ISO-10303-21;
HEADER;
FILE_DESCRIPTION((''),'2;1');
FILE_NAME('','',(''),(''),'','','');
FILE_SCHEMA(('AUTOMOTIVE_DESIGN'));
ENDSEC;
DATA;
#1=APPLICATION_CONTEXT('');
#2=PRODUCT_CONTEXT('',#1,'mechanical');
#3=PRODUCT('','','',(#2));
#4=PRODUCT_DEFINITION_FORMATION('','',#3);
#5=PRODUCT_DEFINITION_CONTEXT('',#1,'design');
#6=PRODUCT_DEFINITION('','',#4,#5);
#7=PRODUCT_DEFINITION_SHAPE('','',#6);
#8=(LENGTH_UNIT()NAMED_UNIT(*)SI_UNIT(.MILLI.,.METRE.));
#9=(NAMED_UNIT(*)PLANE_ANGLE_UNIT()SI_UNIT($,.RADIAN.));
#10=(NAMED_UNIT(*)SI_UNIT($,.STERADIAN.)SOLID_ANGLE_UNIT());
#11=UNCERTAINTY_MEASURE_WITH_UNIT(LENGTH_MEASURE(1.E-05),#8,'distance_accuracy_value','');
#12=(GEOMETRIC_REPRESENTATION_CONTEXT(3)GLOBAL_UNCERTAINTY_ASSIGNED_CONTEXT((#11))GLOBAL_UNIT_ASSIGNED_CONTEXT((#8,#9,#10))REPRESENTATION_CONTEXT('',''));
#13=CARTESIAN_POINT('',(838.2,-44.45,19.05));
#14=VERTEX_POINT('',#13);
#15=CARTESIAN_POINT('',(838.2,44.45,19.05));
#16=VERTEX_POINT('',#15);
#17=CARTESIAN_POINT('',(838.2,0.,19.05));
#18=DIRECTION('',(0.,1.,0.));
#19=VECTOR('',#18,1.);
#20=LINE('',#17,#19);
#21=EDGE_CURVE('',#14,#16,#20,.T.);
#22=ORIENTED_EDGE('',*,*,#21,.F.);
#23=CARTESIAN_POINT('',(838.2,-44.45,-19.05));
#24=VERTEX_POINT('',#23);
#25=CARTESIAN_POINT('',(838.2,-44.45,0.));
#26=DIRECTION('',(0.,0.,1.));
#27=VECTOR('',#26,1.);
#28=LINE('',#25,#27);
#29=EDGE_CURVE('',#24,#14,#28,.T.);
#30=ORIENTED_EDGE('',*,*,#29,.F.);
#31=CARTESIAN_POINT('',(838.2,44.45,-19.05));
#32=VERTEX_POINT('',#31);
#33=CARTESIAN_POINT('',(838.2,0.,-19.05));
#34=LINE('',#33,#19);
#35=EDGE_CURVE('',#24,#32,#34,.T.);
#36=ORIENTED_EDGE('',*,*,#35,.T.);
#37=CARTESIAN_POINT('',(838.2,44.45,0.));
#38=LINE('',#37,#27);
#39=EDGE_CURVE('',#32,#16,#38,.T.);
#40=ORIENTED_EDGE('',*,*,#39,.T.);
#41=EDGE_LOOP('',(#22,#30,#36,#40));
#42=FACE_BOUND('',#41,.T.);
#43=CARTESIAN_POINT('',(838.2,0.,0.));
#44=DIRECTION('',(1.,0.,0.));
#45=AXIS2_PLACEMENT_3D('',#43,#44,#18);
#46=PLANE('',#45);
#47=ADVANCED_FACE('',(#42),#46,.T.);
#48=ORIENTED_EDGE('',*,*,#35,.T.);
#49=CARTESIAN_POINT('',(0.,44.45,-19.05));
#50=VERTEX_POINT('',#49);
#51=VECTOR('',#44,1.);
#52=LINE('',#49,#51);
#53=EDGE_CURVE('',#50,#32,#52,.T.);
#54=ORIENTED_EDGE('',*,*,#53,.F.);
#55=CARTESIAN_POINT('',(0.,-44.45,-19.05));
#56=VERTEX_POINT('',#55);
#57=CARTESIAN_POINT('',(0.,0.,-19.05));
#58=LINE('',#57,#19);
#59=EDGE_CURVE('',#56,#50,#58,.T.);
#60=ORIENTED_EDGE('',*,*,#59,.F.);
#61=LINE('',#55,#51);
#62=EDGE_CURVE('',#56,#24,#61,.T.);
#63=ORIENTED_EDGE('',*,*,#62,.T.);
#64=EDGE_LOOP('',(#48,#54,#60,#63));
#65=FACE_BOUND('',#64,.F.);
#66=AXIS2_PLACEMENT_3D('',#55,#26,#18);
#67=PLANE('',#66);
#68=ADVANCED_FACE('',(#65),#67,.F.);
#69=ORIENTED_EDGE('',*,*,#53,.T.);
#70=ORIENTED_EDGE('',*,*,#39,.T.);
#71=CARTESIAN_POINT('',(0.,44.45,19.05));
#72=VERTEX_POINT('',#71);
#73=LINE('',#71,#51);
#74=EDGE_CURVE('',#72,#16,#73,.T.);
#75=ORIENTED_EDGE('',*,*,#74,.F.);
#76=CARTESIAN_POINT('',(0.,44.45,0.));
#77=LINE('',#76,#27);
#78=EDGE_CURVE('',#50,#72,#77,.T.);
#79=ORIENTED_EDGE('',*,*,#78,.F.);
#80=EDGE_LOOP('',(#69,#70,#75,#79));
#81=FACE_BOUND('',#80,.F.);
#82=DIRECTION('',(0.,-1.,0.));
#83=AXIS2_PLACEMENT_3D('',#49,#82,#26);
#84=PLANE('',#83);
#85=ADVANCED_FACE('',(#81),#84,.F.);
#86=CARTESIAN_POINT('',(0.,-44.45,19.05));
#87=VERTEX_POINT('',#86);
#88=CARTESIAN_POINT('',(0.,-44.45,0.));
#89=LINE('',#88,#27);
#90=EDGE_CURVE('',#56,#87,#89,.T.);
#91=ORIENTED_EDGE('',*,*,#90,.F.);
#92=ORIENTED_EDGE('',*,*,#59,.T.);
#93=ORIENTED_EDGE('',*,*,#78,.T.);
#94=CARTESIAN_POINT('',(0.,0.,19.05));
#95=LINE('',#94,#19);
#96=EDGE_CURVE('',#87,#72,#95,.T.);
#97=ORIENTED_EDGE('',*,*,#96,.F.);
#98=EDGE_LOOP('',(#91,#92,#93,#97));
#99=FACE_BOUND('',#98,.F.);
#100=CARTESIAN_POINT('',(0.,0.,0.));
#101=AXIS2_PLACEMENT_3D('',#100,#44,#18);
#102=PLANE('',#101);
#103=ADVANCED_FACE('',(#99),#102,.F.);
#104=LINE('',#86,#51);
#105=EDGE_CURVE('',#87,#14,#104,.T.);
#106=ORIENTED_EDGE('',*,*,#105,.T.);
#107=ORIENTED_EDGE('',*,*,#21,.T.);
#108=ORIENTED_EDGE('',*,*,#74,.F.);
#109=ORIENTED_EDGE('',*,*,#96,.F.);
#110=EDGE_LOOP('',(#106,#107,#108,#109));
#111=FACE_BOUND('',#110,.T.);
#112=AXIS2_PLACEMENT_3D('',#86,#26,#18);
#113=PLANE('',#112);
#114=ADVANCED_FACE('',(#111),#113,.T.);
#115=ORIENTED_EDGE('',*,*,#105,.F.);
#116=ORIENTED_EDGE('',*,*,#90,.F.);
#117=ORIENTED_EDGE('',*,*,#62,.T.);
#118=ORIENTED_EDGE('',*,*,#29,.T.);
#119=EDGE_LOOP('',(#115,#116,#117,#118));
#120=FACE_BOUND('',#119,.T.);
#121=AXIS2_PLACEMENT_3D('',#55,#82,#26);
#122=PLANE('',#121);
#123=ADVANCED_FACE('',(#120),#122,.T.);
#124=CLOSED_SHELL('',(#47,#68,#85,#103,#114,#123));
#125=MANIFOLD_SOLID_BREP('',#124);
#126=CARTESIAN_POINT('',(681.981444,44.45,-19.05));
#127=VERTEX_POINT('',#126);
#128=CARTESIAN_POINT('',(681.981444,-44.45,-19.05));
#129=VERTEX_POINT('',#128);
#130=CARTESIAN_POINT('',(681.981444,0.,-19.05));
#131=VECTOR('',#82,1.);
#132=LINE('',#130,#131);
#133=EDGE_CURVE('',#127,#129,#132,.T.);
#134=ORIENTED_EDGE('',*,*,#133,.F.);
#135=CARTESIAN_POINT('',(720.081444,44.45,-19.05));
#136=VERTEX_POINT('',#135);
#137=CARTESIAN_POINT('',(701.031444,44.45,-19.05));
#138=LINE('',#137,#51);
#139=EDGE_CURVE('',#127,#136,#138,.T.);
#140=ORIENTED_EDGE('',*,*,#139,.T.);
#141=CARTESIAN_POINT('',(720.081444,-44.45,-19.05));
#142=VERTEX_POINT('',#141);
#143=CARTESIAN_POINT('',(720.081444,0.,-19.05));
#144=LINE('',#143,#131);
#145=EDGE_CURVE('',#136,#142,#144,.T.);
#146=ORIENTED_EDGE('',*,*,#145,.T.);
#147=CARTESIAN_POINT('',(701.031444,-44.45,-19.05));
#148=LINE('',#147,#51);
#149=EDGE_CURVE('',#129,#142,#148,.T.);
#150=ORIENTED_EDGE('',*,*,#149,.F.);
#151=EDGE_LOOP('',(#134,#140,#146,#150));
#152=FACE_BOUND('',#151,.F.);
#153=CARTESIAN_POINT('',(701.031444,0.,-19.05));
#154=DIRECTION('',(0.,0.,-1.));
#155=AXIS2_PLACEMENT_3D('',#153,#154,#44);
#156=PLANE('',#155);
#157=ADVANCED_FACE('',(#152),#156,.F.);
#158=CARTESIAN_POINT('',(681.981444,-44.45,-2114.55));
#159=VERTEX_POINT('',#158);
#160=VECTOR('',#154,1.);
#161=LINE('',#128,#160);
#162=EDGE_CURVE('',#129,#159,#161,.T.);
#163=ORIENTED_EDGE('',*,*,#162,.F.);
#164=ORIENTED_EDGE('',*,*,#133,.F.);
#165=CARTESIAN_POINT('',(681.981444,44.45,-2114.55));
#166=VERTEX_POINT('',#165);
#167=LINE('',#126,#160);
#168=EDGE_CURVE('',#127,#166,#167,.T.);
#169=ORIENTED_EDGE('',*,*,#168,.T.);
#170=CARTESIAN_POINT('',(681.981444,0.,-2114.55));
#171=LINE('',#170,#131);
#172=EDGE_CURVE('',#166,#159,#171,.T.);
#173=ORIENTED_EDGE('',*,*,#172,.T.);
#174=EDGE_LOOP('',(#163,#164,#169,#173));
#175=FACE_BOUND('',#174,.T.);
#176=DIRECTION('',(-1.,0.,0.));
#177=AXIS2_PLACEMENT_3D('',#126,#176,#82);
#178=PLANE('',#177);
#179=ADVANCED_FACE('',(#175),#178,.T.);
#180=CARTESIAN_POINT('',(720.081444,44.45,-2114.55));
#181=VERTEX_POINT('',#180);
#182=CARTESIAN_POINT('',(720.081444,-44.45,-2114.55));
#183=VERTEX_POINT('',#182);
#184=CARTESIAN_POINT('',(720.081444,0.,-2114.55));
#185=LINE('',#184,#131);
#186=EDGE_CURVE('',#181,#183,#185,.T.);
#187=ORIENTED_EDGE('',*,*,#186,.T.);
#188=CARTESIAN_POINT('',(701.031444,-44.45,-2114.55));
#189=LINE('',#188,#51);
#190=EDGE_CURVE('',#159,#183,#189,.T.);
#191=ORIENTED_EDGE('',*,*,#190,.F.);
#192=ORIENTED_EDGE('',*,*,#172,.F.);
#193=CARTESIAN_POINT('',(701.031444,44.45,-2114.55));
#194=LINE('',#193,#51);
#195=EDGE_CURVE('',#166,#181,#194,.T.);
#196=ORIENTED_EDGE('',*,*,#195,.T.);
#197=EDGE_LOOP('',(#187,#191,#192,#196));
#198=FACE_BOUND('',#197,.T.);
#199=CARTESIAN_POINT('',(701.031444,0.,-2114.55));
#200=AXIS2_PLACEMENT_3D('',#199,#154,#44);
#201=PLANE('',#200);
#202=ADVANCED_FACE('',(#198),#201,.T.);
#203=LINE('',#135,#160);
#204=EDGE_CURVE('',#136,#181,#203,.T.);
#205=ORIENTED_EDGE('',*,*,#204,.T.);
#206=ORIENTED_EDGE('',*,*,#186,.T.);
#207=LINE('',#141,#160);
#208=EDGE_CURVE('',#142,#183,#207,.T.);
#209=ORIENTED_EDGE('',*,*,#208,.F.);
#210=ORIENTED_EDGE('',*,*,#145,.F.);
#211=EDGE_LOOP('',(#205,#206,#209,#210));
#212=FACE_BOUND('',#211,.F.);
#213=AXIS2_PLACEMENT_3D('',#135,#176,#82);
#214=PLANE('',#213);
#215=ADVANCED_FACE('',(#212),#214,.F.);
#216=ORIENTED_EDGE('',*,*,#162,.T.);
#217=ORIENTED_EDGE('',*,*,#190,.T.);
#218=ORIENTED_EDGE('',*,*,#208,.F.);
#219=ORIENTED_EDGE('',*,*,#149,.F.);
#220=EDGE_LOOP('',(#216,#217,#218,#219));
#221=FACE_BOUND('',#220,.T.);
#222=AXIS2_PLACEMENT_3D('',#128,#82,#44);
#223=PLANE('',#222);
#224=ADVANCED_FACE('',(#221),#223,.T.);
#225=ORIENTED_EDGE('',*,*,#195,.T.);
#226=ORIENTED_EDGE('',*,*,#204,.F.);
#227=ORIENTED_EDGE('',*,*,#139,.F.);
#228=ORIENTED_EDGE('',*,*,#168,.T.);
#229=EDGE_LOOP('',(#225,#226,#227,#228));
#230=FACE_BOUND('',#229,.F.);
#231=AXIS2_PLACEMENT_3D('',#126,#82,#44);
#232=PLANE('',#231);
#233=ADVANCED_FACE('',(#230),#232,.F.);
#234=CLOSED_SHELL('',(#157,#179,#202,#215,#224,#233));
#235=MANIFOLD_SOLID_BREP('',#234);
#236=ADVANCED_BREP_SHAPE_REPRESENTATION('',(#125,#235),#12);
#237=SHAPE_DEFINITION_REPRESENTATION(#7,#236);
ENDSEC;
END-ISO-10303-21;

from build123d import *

# Parameters (mm, degrees)
F0_W     = 88.9
F0_H     = 38.1
F1_DEPTH = 838.2
F2_W     = 38.1
F2_H     = 88.9
F3_DEPTH = 2095.5


with BuildPart() as f1:
    # F0 (on Right) → F1 (new body)
    with BuildSketch(Plane.YZ):
        Rectangle(F0_W, F0_H)
    extrude(amount=F1_DEPTH)


with BuildPart() as f3:
    # F2 (on face) → F3 (new body)
    with BuildSketch(Plane(origin=(0, 0, -19.05), x_dir=(1, 0, 0), z_dir=(0, 0, -1))):
        with Locations((701.031444, 0)):
            Rectangle(F2_W, F2_H)
    extrude(amount=F3_DEPTH)


solid = Compound([f1.part, f3.part])
